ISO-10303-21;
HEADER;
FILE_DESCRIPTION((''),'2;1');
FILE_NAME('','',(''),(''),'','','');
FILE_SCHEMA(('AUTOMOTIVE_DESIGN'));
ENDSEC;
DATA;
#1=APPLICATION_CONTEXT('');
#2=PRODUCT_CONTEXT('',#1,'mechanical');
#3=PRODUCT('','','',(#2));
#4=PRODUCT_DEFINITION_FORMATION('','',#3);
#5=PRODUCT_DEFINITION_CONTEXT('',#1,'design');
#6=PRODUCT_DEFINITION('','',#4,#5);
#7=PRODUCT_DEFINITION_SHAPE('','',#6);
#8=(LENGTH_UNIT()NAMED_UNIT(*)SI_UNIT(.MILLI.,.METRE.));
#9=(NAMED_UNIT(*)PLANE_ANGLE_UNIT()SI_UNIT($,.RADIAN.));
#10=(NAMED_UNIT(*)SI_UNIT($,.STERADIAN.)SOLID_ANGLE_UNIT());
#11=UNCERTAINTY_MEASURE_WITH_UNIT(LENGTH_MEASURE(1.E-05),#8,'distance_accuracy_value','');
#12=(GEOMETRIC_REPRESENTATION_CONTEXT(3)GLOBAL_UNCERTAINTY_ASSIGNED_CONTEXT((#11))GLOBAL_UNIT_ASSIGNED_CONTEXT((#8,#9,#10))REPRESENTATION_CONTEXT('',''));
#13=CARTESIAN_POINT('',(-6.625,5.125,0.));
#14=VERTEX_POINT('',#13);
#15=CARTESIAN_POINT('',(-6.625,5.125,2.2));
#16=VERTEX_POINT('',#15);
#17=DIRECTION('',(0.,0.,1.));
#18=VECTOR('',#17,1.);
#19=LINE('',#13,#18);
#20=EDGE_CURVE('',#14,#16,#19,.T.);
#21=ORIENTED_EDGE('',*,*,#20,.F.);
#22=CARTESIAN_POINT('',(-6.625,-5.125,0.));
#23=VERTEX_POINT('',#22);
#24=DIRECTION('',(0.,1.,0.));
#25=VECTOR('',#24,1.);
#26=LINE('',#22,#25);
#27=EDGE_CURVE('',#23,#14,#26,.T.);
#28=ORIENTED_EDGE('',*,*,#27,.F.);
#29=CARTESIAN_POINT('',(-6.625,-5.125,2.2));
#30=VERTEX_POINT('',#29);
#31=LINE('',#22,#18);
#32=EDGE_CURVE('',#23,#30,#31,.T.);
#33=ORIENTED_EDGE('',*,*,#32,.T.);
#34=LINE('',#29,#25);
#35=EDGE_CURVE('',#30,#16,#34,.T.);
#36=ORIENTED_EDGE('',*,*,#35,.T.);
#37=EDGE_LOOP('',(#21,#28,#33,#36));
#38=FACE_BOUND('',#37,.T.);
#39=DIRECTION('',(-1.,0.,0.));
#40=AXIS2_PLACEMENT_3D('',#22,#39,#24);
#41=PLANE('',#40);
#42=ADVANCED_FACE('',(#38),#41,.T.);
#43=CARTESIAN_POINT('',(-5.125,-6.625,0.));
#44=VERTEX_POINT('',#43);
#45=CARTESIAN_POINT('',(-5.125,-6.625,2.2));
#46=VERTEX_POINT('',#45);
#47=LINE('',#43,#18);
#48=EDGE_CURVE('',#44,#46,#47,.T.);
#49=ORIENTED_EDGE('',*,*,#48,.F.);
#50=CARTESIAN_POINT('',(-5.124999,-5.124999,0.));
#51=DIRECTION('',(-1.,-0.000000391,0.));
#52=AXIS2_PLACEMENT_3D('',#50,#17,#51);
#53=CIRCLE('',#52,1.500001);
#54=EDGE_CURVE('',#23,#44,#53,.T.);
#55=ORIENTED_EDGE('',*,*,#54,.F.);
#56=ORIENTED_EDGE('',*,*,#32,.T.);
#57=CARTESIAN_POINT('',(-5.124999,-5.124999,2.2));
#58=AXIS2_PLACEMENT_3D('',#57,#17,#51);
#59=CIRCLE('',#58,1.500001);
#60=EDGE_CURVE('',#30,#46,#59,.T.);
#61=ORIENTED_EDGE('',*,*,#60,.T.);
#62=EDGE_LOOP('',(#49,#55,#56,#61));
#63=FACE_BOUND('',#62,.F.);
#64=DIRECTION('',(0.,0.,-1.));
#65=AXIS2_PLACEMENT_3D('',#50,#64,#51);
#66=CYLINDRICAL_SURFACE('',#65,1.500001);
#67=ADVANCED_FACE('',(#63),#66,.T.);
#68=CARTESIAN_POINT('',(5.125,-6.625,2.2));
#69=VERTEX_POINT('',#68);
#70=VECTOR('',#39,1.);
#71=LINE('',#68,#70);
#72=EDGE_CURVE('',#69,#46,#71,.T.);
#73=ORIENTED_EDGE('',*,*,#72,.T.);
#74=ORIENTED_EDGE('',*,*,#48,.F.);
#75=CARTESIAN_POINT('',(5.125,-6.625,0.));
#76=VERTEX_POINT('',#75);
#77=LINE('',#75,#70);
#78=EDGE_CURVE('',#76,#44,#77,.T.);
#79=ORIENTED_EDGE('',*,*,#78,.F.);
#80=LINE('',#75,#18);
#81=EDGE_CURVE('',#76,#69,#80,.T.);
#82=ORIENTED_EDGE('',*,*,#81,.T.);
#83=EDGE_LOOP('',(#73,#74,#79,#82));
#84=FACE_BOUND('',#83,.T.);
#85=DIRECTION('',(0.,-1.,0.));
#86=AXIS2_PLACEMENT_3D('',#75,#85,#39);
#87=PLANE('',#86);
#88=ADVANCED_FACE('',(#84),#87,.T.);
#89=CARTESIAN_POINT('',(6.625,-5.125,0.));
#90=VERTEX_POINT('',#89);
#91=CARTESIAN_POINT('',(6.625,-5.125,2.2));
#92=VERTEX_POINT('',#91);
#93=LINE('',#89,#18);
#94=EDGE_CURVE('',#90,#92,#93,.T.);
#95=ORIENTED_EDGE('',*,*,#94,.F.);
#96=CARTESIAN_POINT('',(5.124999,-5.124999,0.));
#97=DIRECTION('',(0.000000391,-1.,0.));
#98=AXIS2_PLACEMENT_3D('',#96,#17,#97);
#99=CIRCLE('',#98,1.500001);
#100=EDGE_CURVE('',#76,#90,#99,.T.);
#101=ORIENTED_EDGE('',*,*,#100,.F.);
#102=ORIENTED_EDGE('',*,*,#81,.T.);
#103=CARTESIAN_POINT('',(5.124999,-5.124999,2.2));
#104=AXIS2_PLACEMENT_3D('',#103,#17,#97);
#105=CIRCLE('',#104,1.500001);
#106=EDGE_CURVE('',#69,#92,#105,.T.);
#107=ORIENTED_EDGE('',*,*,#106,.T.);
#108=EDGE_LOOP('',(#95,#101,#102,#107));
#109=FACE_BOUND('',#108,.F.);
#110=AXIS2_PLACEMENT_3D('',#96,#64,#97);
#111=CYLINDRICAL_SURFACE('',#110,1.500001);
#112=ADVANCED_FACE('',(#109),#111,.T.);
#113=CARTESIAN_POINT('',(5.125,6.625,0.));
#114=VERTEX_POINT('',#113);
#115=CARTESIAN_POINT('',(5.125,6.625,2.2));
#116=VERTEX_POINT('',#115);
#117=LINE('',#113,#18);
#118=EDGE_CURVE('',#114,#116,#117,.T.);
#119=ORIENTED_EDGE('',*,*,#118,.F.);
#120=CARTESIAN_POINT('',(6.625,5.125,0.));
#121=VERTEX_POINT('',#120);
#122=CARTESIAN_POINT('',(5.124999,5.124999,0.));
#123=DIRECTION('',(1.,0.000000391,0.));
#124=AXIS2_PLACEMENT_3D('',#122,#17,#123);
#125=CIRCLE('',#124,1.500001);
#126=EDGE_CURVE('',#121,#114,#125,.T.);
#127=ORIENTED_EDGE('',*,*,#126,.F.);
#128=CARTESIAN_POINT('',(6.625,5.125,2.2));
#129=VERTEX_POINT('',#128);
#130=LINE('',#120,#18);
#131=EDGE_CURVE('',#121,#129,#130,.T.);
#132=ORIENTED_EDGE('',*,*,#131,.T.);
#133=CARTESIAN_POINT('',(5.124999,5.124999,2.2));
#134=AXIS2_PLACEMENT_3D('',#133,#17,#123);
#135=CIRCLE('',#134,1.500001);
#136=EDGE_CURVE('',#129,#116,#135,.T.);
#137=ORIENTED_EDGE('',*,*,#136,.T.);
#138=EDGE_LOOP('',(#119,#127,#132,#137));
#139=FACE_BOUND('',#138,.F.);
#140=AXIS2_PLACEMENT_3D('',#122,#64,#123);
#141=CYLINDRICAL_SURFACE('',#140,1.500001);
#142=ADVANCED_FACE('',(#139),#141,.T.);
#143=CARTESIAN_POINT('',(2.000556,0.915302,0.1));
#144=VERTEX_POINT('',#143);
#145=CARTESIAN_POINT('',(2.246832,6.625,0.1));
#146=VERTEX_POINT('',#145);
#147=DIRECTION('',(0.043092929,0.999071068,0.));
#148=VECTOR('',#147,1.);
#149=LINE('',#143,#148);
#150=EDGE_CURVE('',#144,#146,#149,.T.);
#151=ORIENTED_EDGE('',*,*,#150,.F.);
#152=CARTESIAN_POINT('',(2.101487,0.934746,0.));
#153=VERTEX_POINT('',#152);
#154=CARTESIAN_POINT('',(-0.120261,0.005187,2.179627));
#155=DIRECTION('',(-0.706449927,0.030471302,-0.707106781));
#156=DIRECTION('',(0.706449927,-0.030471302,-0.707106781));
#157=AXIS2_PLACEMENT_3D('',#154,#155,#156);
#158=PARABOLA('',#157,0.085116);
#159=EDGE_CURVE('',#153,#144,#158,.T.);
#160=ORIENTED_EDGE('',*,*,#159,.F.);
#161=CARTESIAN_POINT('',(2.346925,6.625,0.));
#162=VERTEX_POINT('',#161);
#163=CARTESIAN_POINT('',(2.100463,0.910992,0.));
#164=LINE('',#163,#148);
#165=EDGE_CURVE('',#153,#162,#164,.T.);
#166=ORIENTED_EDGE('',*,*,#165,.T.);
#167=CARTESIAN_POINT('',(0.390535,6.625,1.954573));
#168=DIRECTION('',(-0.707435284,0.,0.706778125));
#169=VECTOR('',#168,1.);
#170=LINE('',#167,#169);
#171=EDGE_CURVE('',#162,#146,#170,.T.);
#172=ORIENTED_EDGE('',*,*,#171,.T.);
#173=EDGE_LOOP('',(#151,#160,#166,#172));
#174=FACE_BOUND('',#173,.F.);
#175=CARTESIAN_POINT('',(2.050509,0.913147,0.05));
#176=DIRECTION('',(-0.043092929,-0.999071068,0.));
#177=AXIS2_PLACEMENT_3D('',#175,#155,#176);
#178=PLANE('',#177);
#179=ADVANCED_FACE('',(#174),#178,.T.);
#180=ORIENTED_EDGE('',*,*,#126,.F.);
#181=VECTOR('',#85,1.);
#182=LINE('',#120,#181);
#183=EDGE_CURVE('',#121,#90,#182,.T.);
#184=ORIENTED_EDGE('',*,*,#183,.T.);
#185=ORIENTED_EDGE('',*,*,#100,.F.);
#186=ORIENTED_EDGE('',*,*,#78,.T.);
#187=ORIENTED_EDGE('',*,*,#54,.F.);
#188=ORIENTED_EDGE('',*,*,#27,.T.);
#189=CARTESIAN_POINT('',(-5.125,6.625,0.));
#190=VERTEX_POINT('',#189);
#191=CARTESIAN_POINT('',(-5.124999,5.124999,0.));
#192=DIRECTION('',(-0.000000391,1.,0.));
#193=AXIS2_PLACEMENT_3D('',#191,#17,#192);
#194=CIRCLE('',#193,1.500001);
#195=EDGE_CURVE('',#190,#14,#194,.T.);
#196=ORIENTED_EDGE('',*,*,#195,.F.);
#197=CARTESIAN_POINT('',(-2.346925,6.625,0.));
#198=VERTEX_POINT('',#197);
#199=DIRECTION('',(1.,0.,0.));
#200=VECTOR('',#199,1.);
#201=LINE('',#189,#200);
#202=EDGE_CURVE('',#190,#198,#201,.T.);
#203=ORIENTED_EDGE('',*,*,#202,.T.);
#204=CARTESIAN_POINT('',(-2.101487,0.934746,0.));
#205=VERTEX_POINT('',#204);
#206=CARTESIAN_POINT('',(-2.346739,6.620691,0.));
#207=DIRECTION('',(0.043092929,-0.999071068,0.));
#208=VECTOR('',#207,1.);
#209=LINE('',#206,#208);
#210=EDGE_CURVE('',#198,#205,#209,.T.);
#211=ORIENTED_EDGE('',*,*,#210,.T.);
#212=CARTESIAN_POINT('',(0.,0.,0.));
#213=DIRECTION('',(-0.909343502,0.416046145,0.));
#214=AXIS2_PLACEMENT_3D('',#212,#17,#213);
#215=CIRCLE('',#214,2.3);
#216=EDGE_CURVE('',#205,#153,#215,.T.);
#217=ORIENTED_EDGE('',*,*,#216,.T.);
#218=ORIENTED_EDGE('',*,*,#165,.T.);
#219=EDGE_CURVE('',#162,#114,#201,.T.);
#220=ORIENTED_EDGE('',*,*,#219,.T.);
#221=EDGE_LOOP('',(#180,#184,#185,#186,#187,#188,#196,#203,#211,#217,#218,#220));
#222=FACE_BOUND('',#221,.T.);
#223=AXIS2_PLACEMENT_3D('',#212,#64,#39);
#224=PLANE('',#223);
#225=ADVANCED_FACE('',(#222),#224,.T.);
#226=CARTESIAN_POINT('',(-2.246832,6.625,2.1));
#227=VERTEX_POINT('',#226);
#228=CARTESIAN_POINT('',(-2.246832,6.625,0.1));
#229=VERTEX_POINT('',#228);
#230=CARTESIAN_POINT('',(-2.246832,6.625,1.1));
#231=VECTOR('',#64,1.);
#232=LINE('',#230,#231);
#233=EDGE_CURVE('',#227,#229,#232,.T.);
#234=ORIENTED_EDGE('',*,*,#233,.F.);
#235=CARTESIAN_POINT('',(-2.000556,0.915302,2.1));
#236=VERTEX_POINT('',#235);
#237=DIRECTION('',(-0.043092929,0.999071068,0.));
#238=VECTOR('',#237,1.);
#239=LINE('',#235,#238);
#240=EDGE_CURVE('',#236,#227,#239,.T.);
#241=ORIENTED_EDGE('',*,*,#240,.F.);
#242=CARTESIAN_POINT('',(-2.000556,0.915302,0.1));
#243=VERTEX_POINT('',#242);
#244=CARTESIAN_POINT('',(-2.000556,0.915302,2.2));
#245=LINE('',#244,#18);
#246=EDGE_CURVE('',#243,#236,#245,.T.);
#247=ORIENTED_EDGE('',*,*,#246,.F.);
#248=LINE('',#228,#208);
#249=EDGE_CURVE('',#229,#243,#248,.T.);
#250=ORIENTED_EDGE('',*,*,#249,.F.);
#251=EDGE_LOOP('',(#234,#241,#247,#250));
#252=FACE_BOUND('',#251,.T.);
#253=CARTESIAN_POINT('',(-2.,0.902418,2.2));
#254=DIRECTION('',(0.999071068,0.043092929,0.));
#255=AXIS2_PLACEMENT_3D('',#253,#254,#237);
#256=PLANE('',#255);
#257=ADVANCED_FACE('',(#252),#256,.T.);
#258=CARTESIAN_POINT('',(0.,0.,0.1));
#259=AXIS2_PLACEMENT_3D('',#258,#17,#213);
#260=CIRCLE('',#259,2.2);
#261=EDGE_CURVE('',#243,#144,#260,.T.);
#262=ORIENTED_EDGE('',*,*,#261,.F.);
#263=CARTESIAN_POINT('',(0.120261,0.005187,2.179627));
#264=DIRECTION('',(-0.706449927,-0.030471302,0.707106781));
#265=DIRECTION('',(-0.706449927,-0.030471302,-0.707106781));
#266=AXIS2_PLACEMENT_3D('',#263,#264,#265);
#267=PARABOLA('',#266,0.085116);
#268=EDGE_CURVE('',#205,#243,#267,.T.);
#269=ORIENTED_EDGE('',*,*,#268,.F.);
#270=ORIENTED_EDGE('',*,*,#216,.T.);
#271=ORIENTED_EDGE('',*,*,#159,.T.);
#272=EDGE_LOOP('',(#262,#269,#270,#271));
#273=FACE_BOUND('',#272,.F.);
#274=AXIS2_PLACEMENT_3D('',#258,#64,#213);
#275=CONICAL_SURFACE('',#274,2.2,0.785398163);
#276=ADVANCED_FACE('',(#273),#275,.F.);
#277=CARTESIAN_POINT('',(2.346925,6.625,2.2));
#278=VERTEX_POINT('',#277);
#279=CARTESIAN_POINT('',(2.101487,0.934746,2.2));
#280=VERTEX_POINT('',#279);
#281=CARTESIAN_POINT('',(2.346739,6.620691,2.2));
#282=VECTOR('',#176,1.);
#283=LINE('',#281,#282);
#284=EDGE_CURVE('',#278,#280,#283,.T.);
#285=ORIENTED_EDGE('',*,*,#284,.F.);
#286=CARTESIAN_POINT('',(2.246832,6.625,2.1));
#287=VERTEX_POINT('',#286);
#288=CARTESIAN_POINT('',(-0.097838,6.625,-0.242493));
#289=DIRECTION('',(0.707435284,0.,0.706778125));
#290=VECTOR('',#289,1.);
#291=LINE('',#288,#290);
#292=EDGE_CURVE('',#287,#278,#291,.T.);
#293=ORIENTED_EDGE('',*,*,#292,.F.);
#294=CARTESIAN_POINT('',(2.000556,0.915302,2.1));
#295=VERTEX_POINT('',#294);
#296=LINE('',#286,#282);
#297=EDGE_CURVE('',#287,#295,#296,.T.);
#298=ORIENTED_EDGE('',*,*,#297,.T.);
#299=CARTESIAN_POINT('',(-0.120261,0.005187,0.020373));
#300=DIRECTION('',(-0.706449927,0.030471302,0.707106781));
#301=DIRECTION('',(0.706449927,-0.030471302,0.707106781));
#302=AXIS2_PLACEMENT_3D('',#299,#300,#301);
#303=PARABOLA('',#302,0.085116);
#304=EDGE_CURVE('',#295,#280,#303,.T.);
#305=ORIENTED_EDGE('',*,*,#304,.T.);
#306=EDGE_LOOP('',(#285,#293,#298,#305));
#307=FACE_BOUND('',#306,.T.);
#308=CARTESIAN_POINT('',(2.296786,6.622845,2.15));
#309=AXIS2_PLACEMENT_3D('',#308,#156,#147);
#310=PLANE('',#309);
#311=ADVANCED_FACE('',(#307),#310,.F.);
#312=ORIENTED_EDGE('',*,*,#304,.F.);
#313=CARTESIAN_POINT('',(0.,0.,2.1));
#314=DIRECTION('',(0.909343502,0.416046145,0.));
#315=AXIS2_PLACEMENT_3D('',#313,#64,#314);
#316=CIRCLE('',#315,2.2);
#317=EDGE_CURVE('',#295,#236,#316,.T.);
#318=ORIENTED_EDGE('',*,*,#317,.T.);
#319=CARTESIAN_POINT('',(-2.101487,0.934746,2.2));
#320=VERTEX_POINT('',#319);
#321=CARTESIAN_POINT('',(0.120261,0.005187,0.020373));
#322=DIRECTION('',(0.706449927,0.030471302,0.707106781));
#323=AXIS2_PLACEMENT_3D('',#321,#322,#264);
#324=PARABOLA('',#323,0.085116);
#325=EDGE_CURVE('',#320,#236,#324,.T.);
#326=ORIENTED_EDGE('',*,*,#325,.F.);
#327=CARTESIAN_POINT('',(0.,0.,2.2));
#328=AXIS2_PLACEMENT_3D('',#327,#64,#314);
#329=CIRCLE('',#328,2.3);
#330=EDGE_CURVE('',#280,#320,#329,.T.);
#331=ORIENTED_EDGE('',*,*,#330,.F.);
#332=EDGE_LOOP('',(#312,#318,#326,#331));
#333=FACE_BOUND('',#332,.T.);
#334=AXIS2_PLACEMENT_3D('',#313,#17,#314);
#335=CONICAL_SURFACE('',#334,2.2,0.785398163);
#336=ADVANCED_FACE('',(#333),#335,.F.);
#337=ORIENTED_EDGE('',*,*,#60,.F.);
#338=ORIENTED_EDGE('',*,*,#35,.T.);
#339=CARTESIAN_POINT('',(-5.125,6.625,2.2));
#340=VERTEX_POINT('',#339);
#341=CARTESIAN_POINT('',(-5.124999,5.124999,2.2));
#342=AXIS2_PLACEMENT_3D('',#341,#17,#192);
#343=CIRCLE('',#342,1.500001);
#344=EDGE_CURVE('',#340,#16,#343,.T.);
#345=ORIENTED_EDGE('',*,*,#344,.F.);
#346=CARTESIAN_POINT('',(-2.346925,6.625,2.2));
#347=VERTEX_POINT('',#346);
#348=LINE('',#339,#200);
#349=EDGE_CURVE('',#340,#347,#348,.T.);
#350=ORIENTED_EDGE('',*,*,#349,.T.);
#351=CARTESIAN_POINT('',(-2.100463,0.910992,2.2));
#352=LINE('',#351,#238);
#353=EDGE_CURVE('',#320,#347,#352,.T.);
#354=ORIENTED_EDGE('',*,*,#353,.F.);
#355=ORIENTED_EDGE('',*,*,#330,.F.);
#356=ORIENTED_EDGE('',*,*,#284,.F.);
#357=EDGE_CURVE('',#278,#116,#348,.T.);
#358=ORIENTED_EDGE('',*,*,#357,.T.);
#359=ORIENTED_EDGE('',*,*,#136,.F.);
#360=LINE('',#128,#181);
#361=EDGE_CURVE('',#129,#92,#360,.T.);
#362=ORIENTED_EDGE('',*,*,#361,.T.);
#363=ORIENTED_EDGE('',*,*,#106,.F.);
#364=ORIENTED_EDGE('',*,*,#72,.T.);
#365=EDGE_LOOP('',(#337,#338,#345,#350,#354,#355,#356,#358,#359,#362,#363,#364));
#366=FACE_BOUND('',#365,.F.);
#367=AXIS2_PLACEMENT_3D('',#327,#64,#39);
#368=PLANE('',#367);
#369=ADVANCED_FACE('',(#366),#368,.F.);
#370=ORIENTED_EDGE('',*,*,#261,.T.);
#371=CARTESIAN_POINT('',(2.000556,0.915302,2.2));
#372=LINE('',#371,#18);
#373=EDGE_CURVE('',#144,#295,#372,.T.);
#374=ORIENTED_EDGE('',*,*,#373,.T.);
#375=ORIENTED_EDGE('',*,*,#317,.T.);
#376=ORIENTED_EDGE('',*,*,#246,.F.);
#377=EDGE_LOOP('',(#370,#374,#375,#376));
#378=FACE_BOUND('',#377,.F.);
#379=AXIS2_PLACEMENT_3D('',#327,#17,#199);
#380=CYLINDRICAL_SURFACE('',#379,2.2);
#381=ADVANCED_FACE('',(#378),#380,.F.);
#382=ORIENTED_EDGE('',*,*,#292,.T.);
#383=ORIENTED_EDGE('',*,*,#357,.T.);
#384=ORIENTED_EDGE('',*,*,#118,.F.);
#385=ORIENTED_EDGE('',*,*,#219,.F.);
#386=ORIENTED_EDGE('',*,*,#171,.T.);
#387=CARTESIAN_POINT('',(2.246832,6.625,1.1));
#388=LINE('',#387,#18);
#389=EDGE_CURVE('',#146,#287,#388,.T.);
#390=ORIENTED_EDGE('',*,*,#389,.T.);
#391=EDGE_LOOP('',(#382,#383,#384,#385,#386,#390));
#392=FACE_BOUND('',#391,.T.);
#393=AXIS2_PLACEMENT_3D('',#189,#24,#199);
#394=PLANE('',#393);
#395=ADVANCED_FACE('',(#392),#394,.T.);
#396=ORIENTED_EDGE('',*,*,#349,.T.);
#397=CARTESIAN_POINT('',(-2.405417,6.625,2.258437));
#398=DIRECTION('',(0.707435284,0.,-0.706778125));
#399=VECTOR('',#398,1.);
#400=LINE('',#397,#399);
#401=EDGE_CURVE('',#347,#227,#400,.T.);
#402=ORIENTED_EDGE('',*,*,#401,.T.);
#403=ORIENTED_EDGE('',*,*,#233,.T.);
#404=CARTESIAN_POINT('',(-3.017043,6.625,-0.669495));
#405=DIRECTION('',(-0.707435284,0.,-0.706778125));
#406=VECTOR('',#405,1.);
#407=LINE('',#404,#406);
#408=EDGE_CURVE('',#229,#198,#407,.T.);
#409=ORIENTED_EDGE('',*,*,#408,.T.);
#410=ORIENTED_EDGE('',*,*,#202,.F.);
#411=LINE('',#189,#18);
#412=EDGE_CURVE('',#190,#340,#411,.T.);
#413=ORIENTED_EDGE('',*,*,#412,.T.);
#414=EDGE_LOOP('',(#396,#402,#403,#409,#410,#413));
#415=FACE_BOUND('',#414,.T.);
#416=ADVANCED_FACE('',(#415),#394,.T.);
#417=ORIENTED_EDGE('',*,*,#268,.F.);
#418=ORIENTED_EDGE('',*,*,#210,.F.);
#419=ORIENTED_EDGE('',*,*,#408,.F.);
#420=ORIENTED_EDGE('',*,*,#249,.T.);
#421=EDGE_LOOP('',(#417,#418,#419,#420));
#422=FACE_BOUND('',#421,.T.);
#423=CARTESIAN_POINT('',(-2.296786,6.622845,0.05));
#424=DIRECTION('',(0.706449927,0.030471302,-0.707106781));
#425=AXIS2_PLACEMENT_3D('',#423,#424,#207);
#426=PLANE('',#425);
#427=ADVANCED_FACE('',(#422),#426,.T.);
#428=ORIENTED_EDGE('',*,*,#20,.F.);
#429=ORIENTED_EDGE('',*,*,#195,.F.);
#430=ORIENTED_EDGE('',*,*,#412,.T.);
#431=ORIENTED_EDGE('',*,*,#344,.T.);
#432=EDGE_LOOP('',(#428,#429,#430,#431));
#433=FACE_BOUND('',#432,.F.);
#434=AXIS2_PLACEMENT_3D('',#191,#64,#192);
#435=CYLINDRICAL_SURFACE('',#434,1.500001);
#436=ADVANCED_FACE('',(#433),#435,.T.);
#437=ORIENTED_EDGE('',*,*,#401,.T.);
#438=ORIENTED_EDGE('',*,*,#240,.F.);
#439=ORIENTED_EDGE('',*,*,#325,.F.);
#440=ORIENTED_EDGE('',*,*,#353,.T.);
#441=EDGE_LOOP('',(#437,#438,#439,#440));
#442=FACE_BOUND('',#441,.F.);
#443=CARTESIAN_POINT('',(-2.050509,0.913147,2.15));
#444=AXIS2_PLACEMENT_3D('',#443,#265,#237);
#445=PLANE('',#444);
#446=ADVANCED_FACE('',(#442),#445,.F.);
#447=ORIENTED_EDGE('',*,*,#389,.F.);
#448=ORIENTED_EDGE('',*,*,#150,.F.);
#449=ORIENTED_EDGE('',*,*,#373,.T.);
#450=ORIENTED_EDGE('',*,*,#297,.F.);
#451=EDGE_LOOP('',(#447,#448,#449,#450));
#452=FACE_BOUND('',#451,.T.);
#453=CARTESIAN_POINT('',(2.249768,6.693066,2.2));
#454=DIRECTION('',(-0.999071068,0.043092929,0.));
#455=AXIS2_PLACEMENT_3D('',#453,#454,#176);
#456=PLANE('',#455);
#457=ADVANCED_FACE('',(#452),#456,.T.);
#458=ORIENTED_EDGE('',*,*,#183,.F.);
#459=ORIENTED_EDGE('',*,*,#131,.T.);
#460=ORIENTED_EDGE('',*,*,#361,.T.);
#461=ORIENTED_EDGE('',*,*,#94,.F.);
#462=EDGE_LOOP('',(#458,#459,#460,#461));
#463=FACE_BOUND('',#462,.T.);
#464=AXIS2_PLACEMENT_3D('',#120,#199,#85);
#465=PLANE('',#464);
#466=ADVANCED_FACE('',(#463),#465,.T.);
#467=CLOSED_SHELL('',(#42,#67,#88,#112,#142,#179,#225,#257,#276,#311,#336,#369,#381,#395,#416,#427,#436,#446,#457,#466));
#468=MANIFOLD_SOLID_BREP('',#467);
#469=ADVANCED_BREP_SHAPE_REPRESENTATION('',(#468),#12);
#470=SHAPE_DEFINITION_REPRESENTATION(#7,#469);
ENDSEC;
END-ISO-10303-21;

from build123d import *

# Parameters (mm, degrees)
PAD_DEPTH       = 2.2
SKETCH001_R     = 2.2
POCKET_DEPTH    = 5
POCKET001_DEPTH = 5
CHAMFER_SIZE    = 0.1
CHAMFER001_SIZE = 0.1


with BuildPart() as part:
    # Sketch → Pad (new body)
    with BuildSketch(Plane.XY):
        with BuildLine():
            Line((-5.125, 6.625), (5.125, 6.625))
            ThreePointArc((6.625, 5.125), (6.18566, 6.18566), (5.125, 6.625))
            Line((6.625, 5.125), (6.625, -5.125))
            ThreePointArc((5.125, -6.625), (6.18566, -6.18566), (6.625, -5.125))
            Line((5.125, -6.625), (-5.125, -6.625))
            ThreePointArc((-6.625, -5.125), (-6.18566, -6.18566), (-5.125, -6.625))
            Line((-6.625, -5.125), (-6.625, 5.125))
            ThreePointArc((-5.125, 6.625), (-6.18566, 6.18566), (-6.625, 5.125))
        make_face()
    extrude(amount=PAD_DEPTH)

    # Sketch001 (on Face10 of Pad) → Pocket (cut)
    with BuildSketch(Plane.XY.offset(2.2)):
        Circle(SKETCH001_R)
    extrude(amount=-POCKET_DEPTH, mode=Mode.SUBTRACT)

    # Sketch002 (on Face5 of Pocket) → Pocket001 (cut)
    with BuildSketch(Plane.XY.offset(2.2)):
        with BuildLine():
            Line((-2, 0.902418), (-2.249768, 6.693066))
            ThreePointArc((-2, 6.95384), (-2.180545, 6.876765), (-2.249768, 6.693066))
            Line((-2, 6.95384), (2, 6.95384))
            ThreePointArc((2.249768, 6.693066), (2.180545, 6.876765), (2, 6.95384))
            Line((2.249768, 6.693066), (2, 0.902418))
            Line((2, 0.902418), (-2, 0.902418))
        make_face()
    extrude(amount=-POCKET001_DEPTH, mode=Mode.SUBTRACT)

    # Chamfer
    chamfer_edges = [part.edges().sort_by_distance(p)[0] for p in [
        (-2.123694, 3.770151, 2.2),
        (-0.46839, -2.149561, 2.2),
        (2.149561, 0.46839, 2.2),
        (2.123694, 3.770151, 2.2),
    ]]
    chamfer(chamfer_edges, length=CHAMFER_SIZE)

    # Chamfer001
    chamfer001_edges = [part.edges().sort_by_distance(p)[0] for p in [
        (2.149561, 0.46839, 0),
        (2.123694, 3.770151, 0),
        (-0.46839, -2.149561, 0),
        (-2.123694, 3.770151, 0),
    ]]
    chamfer(chamfer001_edges, length=CHAMFER001_SIZE)


solid = part.part
